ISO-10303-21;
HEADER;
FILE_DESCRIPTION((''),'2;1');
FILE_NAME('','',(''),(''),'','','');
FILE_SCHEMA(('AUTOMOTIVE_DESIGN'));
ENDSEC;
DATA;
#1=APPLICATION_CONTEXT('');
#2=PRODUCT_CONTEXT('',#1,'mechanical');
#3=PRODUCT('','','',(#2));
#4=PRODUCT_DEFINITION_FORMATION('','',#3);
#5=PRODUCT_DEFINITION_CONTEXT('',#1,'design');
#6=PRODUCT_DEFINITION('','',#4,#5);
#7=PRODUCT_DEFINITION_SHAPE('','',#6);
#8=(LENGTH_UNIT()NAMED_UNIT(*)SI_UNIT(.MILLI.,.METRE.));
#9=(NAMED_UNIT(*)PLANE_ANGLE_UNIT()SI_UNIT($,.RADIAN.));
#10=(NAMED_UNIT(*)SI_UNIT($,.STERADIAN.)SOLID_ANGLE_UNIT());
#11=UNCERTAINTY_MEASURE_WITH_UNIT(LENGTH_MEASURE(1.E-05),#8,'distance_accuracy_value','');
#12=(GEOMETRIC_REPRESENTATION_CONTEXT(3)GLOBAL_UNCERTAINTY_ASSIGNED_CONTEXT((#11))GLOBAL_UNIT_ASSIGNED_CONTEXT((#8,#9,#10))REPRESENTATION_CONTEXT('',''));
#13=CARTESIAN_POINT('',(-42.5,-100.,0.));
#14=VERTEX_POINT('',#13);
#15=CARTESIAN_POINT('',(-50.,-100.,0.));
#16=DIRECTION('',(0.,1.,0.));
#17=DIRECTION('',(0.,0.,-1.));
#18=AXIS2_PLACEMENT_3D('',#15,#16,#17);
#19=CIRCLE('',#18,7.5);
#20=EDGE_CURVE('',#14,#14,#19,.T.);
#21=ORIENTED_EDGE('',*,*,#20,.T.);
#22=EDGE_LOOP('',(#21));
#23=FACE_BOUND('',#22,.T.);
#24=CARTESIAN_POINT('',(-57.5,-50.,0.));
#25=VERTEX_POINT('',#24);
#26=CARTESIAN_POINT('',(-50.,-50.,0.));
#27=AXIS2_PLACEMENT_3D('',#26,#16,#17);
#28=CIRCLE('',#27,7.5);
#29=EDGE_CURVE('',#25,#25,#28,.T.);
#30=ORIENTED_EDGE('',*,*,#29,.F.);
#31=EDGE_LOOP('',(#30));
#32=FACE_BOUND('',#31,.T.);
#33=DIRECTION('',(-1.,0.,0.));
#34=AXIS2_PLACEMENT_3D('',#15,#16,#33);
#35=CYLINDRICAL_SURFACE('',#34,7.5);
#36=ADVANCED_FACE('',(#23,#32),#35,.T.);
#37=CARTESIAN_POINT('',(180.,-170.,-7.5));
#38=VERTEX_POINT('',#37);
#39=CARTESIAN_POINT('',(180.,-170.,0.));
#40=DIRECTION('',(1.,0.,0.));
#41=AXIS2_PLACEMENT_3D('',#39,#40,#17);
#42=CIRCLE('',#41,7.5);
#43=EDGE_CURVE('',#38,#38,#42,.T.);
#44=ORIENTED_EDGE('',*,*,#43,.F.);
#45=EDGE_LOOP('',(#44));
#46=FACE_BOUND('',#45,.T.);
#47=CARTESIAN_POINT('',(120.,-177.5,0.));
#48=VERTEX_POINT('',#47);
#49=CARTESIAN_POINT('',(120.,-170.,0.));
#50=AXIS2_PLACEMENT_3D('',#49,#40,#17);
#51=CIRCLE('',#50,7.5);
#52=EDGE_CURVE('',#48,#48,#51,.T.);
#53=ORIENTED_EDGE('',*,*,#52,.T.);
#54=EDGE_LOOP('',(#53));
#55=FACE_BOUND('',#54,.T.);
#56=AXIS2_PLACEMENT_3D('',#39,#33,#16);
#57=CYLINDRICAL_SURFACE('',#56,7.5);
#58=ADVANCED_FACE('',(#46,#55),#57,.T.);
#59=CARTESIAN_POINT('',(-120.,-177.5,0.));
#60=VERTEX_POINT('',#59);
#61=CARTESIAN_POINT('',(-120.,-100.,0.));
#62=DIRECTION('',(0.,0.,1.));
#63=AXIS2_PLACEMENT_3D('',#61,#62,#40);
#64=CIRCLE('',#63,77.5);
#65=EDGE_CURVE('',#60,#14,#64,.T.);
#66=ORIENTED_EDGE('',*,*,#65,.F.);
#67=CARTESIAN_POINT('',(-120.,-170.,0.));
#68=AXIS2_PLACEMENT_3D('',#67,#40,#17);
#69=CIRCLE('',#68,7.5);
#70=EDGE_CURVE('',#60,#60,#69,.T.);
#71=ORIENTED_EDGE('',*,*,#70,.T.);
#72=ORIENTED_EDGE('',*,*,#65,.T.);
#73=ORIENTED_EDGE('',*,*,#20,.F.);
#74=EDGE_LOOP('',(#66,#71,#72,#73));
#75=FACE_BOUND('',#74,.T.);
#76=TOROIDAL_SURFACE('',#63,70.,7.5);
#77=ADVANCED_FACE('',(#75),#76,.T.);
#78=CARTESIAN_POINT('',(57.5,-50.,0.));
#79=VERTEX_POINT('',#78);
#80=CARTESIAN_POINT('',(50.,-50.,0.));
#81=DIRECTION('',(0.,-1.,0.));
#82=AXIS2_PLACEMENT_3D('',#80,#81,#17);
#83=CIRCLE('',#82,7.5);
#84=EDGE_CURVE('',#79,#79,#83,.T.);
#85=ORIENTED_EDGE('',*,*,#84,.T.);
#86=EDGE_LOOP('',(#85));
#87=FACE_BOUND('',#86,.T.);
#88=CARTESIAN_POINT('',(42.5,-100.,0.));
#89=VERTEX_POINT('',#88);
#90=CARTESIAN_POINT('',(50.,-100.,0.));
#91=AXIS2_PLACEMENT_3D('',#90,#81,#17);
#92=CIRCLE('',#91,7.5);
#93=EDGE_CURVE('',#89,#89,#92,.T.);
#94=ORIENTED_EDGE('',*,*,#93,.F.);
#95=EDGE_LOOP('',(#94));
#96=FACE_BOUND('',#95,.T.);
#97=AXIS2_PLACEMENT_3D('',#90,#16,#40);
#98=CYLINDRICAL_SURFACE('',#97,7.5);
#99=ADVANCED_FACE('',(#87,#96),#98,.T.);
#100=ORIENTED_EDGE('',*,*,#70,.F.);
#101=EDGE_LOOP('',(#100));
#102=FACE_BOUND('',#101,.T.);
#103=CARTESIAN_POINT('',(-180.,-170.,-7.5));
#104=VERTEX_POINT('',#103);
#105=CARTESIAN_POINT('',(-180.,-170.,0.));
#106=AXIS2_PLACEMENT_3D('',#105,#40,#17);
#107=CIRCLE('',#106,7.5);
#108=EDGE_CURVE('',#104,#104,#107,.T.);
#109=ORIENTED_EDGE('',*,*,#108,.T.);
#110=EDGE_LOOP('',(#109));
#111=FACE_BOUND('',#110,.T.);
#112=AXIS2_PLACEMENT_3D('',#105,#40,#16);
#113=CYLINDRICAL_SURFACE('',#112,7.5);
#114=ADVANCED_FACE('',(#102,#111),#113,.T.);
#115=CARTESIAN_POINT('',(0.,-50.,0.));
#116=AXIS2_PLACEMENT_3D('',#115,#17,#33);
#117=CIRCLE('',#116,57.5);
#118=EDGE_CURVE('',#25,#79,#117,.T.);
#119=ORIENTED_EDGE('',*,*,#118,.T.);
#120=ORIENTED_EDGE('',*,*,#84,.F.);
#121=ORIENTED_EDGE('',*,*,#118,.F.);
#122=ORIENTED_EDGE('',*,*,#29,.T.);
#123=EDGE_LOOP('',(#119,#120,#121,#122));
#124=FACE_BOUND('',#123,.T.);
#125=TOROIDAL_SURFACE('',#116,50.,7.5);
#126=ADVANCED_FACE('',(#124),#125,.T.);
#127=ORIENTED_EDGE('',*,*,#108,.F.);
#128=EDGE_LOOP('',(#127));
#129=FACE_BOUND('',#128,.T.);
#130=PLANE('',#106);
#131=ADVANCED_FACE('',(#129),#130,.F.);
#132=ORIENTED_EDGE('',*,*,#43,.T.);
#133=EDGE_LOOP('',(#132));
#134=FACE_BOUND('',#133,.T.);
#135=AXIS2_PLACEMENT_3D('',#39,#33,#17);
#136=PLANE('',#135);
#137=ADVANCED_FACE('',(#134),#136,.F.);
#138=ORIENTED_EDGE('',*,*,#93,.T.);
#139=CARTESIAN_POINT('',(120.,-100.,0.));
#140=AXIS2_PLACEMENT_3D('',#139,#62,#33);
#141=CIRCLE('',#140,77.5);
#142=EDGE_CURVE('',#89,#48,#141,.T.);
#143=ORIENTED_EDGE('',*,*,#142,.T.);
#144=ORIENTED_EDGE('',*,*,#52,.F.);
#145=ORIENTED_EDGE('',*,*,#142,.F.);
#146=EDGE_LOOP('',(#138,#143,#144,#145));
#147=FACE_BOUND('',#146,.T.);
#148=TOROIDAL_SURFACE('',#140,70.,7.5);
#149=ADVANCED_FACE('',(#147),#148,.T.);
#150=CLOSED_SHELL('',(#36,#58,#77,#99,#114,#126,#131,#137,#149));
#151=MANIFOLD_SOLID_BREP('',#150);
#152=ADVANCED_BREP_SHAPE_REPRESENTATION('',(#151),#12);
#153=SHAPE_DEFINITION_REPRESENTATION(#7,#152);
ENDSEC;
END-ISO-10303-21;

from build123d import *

# Parameters (mm, degrees)
SKETCH_5_R = 7.5


with BuildPart() as part:
    # По траектории3: sweep along a path in Эскиз4
    with BuildLine(Plane.XY) as sweep_3_path:
        Line((-180, -170), (-120, -170))
        ThreePointArc((-120, -170), (-70.502525317, -149.497474683), (-50, -100))
        Line((-50, -100), (-50, -50))
        ThreePointArc((-50, -50), (-35.355339059, -14.644660941), (0, 0))
    # Эскиз5 → По траектории3 (sweep)
    with BuildSketch(Plane(origin=(0, 0, 0), x_dir=(0, 0, -1), z_dir=(1, 0, 0))):
        Circle(SKETCH_5_R)
    sweep_3 = sweep(path=sweep_3_path.line)

    # Зеркальное отражение4: По траектории3 across plane
    add(sweep_3.mirror(Plane(origin=(0, 0, 0), x_dir=(0, 0, 1), z_dir=(1, 0, 0))))


solid = part.part
